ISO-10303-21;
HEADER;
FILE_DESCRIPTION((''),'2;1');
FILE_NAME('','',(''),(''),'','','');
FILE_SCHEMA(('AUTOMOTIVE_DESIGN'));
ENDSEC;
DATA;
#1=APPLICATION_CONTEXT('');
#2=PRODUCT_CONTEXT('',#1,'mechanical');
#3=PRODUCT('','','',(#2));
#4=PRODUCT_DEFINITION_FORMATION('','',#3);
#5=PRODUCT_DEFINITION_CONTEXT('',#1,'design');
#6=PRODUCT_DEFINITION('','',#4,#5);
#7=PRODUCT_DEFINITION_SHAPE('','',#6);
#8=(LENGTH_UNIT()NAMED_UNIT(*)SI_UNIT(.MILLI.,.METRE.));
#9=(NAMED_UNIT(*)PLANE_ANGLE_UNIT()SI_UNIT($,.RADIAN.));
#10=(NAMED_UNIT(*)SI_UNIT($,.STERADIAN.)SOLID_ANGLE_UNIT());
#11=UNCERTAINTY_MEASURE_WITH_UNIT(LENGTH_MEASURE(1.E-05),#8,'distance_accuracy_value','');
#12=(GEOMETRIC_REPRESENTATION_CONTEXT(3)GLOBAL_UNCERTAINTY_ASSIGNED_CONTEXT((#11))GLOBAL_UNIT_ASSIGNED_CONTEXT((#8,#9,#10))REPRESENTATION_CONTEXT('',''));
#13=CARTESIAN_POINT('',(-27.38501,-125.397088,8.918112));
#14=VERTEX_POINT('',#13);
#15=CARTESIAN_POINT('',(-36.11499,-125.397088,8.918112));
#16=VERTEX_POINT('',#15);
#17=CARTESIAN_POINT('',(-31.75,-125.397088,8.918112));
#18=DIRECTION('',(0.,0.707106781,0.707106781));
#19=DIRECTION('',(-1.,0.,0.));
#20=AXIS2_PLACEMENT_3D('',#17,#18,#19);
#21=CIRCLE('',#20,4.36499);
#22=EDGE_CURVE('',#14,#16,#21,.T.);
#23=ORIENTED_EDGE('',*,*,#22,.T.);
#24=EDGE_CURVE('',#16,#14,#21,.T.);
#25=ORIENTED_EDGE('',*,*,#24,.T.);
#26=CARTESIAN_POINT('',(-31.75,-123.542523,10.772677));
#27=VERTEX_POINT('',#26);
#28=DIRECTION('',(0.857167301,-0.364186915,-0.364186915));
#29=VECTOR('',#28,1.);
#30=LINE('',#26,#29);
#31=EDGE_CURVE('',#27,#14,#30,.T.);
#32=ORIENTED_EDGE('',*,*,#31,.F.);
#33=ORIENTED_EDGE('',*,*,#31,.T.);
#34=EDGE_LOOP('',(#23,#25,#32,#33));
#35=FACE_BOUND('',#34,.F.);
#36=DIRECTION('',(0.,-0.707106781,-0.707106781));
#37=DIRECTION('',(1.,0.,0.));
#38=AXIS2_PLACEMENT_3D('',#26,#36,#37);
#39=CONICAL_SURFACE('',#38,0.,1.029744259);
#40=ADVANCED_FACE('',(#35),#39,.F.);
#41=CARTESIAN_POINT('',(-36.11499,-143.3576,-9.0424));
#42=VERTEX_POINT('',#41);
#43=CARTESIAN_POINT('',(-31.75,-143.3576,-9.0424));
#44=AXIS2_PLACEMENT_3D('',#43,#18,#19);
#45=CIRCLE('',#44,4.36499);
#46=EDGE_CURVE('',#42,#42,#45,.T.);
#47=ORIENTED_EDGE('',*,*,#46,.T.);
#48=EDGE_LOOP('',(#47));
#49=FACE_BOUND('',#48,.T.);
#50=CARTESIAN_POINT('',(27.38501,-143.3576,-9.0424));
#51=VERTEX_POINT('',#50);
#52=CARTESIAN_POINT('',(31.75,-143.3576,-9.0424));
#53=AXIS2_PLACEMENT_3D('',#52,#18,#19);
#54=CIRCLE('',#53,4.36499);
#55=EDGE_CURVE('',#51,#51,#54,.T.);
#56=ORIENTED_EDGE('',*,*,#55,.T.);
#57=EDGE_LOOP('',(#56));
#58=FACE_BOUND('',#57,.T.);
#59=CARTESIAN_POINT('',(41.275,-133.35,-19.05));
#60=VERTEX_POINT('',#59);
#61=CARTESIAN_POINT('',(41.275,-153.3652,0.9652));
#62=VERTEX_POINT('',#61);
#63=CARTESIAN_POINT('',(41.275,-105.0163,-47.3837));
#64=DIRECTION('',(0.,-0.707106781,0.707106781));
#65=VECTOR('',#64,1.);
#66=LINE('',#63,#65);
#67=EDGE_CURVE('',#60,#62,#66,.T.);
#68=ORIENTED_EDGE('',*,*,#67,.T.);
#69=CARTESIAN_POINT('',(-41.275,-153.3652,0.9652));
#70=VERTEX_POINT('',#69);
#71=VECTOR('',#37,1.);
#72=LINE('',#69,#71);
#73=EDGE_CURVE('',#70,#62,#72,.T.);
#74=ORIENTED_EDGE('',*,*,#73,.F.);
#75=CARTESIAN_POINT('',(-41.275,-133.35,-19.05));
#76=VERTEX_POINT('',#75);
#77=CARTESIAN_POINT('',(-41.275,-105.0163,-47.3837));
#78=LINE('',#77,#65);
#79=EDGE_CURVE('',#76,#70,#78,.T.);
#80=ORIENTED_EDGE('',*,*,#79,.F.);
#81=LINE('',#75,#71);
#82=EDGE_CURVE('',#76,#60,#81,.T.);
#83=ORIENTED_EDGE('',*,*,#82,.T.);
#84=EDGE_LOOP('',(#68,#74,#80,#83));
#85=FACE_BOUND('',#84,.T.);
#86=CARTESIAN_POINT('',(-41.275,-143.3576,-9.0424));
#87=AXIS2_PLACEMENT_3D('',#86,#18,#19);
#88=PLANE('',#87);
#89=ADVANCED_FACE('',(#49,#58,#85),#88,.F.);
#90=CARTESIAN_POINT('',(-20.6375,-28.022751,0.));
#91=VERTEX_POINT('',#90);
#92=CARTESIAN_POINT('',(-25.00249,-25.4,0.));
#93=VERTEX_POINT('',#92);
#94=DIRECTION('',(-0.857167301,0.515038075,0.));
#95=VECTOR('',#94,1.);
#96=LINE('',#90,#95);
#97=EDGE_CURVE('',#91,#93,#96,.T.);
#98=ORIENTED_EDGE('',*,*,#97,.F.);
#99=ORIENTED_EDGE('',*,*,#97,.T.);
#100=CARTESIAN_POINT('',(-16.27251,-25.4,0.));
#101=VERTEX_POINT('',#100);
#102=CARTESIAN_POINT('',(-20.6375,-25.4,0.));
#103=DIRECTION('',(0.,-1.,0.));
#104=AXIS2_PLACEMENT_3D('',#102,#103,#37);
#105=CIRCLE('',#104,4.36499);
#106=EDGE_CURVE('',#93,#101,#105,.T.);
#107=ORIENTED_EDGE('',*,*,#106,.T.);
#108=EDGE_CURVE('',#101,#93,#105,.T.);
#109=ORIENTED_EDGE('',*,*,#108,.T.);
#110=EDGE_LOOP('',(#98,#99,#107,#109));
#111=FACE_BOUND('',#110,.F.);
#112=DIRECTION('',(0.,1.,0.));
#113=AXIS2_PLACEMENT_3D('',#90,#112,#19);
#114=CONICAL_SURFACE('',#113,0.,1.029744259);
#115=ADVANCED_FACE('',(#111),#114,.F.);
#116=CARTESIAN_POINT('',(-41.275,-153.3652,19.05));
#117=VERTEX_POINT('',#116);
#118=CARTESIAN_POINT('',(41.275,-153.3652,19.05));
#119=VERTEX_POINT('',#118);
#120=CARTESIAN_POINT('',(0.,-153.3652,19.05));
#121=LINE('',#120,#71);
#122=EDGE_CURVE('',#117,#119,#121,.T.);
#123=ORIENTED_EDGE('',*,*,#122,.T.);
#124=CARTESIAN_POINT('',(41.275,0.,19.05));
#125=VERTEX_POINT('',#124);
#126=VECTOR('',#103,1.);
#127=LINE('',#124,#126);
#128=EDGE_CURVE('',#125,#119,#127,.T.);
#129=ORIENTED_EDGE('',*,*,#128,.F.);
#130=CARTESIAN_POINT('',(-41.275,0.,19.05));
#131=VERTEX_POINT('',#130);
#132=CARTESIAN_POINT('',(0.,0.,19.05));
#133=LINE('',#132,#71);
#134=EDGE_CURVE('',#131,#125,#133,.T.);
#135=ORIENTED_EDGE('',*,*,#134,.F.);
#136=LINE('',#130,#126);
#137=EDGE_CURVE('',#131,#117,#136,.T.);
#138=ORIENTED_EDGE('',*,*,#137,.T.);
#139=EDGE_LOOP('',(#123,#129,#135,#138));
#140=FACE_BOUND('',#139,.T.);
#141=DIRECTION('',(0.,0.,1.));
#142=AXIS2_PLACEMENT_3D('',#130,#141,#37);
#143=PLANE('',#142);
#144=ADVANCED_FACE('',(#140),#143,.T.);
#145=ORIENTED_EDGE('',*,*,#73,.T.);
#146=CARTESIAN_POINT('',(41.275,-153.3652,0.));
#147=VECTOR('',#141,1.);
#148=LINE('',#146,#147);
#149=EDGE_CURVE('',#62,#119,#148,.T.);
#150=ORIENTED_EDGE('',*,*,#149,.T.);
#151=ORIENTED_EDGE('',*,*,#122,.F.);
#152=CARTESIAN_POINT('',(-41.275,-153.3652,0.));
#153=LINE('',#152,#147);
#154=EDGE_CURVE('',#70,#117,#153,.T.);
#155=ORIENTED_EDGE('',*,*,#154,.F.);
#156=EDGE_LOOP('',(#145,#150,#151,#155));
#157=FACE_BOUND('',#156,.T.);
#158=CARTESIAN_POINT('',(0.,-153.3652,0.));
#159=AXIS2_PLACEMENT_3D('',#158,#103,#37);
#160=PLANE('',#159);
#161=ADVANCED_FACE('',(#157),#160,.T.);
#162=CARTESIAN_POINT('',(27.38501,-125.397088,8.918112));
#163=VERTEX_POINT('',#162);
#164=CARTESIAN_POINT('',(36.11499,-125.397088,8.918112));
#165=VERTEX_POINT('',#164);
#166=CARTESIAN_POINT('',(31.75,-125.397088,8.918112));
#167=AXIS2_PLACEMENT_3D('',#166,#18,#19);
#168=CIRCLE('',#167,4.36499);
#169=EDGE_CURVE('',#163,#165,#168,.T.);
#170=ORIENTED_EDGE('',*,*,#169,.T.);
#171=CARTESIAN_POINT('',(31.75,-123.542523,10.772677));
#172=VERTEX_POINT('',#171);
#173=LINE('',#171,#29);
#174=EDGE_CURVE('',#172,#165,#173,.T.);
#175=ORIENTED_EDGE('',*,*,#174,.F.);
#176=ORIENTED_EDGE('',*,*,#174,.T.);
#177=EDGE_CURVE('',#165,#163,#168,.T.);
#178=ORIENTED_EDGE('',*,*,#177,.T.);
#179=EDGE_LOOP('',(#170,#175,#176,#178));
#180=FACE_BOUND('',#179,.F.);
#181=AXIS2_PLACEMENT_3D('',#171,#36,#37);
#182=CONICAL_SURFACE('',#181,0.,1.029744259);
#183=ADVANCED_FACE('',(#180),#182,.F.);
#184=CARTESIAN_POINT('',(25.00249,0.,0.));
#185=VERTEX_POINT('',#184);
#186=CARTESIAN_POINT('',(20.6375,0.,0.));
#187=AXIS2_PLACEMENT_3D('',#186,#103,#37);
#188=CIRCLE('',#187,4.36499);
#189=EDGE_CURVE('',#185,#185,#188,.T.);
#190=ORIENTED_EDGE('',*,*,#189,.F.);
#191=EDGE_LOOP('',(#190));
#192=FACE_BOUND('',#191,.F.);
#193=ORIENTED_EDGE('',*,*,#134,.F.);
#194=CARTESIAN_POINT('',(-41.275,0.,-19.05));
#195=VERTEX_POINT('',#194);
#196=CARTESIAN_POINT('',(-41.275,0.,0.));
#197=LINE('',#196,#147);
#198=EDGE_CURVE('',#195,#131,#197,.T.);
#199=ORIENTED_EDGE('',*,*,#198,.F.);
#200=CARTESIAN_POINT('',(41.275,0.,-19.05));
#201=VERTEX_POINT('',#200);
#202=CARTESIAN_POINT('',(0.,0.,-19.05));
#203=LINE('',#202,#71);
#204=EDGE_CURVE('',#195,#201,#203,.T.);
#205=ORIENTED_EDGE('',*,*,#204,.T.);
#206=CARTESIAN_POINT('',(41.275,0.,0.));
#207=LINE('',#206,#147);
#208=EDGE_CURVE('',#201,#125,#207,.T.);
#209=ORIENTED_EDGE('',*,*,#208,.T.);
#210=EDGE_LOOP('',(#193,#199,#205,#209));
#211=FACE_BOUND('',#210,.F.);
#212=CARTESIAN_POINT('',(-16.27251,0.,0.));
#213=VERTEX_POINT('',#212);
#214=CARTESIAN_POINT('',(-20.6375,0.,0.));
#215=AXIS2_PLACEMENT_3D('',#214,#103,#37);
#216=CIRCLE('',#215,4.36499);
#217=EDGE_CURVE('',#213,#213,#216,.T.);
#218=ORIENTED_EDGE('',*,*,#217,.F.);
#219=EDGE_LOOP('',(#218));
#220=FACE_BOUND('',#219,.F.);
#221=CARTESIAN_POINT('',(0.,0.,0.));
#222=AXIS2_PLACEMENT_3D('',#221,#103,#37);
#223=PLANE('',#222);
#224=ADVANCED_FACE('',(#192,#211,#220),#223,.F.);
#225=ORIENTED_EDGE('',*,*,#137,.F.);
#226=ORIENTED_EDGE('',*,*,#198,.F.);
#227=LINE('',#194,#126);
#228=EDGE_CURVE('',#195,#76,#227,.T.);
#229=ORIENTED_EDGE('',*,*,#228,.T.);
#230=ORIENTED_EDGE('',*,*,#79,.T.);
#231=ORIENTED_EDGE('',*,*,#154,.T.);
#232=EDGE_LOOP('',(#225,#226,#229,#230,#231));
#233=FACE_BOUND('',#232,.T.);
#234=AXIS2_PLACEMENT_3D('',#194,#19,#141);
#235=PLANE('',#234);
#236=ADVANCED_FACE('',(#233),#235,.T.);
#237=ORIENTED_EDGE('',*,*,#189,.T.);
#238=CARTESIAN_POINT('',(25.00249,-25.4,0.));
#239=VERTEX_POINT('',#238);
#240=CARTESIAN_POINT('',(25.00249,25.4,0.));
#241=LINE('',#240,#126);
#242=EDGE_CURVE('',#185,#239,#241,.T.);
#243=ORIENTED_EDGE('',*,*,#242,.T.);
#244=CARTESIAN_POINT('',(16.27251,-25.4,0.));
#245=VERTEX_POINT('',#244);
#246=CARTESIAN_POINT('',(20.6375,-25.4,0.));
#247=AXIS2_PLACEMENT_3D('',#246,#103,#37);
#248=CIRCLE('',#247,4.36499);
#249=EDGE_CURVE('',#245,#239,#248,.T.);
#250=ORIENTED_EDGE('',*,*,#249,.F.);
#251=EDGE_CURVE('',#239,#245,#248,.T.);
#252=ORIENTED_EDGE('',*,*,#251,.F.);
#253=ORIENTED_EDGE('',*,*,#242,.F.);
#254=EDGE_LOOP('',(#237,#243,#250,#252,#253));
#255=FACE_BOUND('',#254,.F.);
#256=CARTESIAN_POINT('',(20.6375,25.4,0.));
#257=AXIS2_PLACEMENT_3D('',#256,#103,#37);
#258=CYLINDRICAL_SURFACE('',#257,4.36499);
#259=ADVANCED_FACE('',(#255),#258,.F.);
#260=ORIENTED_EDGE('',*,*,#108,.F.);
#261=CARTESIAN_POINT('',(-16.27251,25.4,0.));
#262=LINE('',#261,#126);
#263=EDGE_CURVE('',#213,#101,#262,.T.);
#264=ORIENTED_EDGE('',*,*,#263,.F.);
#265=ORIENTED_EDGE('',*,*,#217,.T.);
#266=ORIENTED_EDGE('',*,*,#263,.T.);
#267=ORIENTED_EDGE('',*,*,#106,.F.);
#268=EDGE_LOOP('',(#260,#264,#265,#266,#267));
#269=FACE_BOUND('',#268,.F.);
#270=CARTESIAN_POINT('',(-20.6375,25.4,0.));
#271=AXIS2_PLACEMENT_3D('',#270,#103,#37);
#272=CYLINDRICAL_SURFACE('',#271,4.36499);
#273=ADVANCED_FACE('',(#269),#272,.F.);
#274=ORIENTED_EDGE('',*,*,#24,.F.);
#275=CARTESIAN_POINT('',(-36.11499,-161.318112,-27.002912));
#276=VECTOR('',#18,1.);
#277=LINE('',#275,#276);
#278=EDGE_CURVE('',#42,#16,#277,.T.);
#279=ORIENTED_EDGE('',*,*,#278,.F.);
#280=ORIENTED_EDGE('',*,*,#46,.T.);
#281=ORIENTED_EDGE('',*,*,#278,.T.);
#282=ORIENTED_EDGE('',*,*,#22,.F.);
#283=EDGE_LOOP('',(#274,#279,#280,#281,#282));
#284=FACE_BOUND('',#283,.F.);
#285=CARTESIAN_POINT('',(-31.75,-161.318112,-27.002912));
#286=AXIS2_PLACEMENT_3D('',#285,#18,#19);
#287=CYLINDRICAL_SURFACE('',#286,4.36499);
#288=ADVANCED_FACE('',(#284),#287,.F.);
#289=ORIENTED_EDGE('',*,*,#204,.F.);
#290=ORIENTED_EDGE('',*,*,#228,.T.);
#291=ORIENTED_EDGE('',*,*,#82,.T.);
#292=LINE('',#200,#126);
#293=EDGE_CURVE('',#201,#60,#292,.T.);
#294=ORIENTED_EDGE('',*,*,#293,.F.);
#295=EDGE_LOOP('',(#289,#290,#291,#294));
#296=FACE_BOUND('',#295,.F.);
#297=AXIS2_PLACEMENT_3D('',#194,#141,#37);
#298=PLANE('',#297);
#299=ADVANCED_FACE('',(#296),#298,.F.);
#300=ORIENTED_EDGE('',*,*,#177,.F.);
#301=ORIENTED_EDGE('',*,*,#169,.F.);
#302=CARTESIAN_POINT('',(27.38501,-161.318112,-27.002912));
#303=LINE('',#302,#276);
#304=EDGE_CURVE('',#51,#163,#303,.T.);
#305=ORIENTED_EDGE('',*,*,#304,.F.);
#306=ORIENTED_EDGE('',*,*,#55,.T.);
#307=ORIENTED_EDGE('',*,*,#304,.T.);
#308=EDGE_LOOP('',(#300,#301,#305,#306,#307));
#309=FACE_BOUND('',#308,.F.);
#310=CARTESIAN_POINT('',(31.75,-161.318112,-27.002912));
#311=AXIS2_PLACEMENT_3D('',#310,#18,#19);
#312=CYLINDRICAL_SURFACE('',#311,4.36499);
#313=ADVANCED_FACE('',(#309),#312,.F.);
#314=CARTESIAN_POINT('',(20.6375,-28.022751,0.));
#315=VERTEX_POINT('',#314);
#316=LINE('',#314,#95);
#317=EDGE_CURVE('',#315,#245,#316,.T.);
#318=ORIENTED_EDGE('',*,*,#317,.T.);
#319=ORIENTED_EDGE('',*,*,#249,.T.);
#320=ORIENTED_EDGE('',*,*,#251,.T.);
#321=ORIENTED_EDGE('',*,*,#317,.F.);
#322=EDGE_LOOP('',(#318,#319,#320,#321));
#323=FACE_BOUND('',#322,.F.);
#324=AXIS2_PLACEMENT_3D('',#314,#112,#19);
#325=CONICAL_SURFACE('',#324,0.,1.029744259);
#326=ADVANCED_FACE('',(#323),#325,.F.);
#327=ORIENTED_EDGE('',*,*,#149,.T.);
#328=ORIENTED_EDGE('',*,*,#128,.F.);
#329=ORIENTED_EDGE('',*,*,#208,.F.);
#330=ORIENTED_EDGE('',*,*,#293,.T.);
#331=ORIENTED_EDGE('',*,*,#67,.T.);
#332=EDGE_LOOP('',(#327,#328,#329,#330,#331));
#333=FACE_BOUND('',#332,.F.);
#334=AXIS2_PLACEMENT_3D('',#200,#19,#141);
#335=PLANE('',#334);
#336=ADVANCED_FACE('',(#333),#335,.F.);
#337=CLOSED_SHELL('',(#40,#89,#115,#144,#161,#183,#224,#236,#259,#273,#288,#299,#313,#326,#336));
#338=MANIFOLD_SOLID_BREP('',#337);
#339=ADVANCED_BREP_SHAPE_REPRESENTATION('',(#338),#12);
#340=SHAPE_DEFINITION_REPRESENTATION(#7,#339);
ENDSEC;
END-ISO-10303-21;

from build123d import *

# Parameters (mm, degrees)
F0_W           = 82.55
F0_H           = 38.1
F1_DEPTH       = 153.3652
F2_SIZE2       = 20.0152
F2_SIZE        = 20.0152
F5_D           = 8.72998
F5_DEPTH       = 25.4
F5_TIP         = 2.6227505934
F5_ON_F4_D     = 8.72998
F5_ON_F4_DEPTH = 25.4
F5_ON_F4_TIP   = 2.6227505934


with BuildPart() as f1:
    # F0 (on Front) → F1 (new body)
    with BuildSketch(Plane.XZ):
        Rectangle(F0_W, F0_H)
    extrude(amount=F1_DEPTH)

    # F2
    f2_edges = [f1.edges().sort_by_distance(p)[0] for p in [
        (0, -153.3652, -19.05),
    ]]
    chamfer(f2_edges, length=F2_SIZE, length2=F2_SIZE2)

    # F5
    with Locations(Plane(origin=(0, -76.2, -76.2), x_dir=(1, 0, 0), z_dir=(0, -0.7071067812, -0.7071067812))):
        with Locations((-31.75, 94.9751887364), (31.75, 94.9751887364)):
            Hole(F5_D / 2, depth=F5_DEPTH)
            with Locations((0, 0, -(F5_DEPTH + F5_TIP / 2))):  # 118° drill point
                Cone(0, F5_D / 2, F5_TIP, mode=Mode.SUBTRACT)

    # F5 on F4
    with Locations(Plane(origin=(0, 0, 0), x_dir=(-1, 0, 0), z_dir=(0, 1, 0))):
        with Locations((-20.6375, 0), (20.6375, 0)):
            Hole(F5_ON_F4_D / 2, depth=F5_ON_F4_DEPTH)
            with Locations((0, 0, -(F5_ON_F4_DEPTH + F5_ON_F4_TIP / 2))):  # 118° drill point
                Cone(0, F5_ON_F4_D / 2, F5_ON_F4_TIP, mode=Mode.SUBTRACT)


solid = f1.part
